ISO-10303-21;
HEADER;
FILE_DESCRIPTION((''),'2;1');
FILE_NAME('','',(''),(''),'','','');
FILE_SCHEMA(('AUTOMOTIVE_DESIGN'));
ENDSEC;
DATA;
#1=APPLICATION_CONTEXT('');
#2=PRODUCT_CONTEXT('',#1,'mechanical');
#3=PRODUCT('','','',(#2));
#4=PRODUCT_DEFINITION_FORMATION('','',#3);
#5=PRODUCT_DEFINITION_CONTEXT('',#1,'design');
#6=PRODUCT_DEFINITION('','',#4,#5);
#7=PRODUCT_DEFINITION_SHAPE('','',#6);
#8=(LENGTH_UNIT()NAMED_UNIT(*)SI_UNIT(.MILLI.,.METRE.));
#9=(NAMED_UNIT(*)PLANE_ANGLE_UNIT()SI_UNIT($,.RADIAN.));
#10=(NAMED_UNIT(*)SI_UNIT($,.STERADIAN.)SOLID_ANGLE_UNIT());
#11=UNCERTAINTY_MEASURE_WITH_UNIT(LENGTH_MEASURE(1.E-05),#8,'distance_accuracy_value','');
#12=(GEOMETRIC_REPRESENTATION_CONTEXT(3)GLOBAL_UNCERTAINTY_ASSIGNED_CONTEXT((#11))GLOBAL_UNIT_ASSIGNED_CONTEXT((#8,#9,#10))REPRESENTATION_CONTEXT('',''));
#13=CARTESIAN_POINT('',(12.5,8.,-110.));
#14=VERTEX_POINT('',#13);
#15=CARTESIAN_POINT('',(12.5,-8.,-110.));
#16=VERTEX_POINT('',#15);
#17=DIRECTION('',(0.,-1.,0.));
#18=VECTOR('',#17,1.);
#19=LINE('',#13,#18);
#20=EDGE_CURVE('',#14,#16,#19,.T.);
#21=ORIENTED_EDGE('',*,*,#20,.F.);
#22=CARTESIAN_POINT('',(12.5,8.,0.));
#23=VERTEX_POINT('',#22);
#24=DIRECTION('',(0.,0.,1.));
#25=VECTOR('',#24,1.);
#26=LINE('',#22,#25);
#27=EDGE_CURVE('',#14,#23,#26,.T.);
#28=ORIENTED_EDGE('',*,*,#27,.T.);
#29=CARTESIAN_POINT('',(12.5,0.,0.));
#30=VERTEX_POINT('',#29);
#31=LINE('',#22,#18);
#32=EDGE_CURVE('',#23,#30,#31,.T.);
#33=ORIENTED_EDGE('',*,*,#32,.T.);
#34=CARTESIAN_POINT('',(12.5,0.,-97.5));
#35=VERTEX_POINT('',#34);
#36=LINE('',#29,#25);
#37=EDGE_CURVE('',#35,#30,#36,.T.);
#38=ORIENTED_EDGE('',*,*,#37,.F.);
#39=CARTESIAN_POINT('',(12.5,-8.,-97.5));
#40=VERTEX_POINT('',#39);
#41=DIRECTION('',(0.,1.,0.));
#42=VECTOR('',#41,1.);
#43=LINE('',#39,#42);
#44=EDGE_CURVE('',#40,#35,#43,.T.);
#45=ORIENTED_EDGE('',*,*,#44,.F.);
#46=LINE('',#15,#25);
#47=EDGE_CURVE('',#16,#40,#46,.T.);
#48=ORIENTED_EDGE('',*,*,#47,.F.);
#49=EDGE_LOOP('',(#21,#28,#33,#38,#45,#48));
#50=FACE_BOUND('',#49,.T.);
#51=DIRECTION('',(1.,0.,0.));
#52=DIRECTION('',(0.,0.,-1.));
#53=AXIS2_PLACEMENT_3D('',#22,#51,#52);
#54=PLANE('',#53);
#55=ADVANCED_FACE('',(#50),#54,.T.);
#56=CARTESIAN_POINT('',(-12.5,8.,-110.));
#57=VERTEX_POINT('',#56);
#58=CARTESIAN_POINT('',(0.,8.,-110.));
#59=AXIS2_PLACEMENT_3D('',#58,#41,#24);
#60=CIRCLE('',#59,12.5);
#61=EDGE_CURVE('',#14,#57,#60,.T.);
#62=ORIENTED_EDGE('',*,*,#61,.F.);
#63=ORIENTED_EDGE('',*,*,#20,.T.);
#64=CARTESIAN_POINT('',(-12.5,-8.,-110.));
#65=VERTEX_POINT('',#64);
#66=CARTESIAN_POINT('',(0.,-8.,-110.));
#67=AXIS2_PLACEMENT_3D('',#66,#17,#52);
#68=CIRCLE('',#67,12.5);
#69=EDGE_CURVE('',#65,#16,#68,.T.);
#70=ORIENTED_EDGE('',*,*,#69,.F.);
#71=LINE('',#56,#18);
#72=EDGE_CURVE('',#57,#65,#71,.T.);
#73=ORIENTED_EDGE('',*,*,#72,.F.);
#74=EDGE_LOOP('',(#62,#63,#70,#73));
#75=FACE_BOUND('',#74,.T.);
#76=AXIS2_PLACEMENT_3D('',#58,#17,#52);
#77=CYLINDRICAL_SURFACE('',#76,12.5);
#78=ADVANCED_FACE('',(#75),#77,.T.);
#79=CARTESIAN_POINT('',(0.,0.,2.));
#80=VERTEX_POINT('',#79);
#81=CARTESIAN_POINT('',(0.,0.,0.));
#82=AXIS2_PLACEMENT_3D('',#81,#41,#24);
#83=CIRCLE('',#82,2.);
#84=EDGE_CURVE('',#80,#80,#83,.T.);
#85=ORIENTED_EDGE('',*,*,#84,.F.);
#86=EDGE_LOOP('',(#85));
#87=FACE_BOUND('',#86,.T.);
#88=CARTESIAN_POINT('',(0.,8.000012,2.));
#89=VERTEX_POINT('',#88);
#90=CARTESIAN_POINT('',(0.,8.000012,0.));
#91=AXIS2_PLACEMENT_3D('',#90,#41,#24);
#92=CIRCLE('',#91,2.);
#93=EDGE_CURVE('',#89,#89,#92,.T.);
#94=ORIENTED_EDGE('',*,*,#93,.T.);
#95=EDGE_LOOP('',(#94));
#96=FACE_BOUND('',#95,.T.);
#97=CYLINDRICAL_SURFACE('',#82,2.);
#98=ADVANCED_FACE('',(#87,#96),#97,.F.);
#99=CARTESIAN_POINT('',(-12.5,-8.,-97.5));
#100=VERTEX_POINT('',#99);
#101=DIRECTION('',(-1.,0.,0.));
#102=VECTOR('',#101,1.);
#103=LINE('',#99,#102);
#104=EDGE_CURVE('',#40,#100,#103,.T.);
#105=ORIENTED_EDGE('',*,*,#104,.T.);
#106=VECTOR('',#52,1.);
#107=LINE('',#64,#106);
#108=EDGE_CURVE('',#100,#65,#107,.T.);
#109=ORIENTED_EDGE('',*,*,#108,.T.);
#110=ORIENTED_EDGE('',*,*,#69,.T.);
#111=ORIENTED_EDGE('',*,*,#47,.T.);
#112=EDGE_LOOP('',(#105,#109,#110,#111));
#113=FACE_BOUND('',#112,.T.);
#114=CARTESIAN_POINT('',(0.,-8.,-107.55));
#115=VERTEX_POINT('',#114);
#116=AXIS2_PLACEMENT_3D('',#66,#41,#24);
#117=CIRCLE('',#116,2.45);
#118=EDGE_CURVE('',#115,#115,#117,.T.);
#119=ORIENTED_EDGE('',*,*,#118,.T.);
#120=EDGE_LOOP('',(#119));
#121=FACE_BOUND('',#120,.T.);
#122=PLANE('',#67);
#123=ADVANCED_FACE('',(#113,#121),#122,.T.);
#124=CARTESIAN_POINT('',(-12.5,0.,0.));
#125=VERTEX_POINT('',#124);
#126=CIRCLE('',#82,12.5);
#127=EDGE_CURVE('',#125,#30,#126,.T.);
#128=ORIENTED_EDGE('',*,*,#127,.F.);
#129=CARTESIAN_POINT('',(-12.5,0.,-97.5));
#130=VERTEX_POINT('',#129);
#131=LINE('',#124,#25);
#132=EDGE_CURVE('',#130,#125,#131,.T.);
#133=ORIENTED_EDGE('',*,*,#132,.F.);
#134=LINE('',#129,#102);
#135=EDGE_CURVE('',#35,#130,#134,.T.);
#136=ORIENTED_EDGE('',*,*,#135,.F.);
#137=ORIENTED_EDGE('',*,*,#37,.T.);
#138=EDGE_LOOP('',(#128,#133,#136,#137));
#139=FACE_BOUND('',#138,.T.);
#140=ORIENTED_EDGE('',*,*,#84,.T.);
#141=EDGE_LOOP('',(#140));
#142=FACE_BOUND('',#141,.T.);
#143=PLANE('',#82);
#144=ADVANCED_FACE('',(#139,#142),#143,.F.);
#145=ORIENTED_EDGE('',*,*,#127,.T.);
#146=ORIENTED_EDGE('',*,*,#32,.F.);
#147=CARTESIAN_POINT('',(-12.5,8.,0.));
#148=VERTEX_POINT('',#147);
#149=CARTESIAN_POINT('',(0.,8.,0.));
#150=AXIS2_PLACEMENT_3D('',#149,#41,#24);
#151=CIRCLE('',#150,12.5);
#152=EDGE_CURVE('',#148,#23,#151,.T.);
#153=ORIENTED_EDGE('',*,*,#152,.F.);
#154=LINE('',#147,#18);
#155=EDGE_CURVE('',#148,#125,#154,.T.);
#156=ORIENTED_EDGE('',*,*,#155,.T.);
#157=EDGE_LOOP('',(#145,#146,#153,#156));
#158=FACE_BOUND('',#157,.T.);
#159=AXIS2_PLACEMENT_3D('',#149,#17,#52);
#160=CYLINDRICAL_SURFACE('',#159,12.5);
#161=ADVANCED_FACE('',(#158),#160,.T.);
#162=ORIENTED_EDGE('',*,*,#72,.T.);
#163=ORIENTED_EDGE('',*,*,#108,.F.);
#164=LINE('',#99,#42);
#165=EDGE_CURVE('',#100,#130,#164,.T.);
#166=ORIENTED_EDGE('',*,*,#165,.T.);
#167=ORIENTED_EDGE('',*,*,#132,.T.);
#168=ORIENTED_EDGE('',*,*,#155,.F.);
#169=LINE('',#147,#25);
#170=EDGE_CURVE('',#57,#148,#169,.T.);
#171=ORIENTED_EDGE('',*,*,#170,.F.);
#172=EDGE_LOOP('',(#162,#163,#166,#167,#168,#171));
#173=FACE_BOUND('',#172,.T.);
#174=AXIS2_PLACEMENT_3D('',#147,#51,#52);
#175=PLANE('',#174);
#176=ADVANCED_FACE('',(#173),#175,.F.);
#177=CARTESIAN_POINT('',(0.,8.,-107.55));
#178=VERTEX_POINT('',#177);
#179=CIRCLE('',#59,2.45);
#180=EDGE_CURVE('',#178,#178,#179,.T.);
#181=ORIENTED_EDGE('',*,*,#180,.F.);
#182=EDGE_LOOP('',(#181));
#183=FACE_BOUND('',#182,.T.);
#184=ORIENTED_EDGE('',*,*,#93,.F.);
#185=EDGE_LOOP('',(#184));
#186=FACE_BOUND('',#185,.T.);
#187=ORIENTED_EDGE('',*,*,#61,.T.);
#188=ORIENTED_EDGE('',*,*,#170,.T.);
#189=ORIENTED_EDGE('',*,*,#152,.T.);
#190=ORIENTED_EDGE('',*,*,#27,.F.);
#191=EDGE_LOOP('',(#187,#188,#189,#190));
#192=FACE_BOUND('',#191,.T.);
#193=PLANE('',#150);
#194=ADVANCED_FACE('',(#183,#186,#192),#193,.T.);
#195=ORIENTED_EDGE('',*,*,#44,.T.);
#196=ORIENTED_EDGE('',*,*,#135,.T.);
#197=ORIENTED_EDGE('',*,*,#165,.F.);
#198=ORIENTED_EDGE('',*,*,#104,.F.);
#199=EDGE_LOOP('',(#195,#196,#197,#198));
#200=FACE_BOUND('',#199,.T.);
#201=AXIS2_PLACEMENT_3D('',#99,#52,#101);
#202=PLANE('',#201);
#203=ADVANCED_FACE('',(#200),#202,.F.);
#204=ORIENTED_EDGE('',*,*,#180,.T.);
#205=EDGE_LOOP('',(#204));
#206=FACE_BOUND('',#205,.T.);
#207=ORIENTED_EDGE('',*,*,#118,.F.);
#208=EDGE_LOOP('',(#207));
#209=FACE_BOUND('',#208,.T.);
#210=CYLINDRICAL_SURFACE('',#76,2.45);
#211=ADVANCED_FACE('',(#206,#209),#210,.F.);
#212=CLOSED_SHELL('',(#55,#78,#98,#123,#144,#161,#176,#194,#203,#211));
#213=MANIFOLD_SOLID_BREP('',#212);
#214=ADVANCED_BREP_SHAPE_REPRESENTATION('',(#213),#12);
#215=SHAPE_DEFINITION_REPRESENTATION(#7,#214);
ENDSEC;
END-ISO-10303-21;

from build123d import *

# Parameters (mm, degrees)
SKETCH1_R               = 12.5
SKETCH1_R_2             = 2.45
BOSS_EXTRUDE1_DEPTH     = 8
CUT_EXTRUDE1_DEPTH      = 124.39570495
CUT_EXTRUDE1_DEPTH_BACK = 124.39570495
SKETCH2_R               = 2
BOSS_EXTRUDE2_START     = 8
BOSS_EXTRUDE2_DEPTH     = 8
CUT_EXTRUDE2_DEPTH      = 125.171252712
CUT_EXTRUDE2_DEPTH_BACK = 125.171252712
SKETCH4_R               = 2.45


with BuildPart() as part:
    # Sketch1 → Boss-Extrude1 (new body)
    # profile 1 of 3: a face of its own
    with BuildSketch(Plane(origin=(0, 0, 0), x_dir=(1, 0, 0), z_dir=(0, 1, 0))):
        with BuildLine():
            Line((12.5, 0), (12.5, 110))
            ThreePointArc((12.5, 110), (0, 97.5), (-12.5, 110))
            Line((-12.5, 110), (-12.5, 0))
            ThreePointArc((-12.5, 0), (0, 12.5), (12.5, 0))
        make_face()
    # profile 2 of 3: a face of its own
    with BuildSketch(Plane(origin=(0, 0, 0), x_dir=(1, 0, 0), z_dir=(0, 1, 0))):
        with Locations((0, 110)):
            Circle(SKETCH1_R)
        with Locations(Location((0, 110, 0), (0, 0, 270))):
            Circle(SKETCH1_R_2, mode=Mode.SUBTRACT)
    # profile 3 of 3: a face of its own
    with BuildSketch(Plane(origin=(0, 0, 0), x_dir=(1, 0, 0), z_dir=(0, 1, 0))):
        Circle(SKETCH1_R)
    extrude(amount=BOSS_EXTRUDE1_DEPTH)

    # Sketch2 → Cut-Extrude1 (cut, two sides: drawn at the far end of the back side and taken through both)
    with BuildSketch(Plane(origin=(0, 8, 0), x_dir=(1, 0, 0), z_dir=(0, 1, 0)).offset(-CUT_EXTRUDE1_DEPTH_BACK)):
        with Locations(Location((0, 0, 0), (0, 0, 270))):
            Circle(SKETCH2_R)
    extrude(amount=CUT_EXTRUDE1_DEPTH + CUT_EXTRUDE1_DEPTH_BACK, mode=Mode.SUBTRACT)

    # Sketch3 → Boss-Extrude2 (add)
    with BuildSketch(Plane.XZ.offset(BOSS_EXTRUDE2_START)):
        with BuildLine():
            Line((12.5, -110), (12.5, -97.5))
            Line((12.5, -97.5), (-12.5, -97.5))
            Line((-12.5, -97.5), (-12.5, -110))
            ThreePointArc((-12.5, -110), (0, -122.5), (12.5, -110))
        make_face()
    extrude(amount=-BOSS_EXTRUDE2_DEPTH)

    # Sketch4 → Cut-Extrude2 (cut, two sides: drawn at the far end of the back side and taken through both)
    with BuildSketch(Plane(origin=(0, 8, 0), x_dir=(1, 0, 0), z_dir=(0, 1, 0)).offset(-CUT_EXTRUDE2_DEPTH_BACK)):
        with Locations(Location((0, 110, 0), (0, 0, 270))):
            Circle(SKETCH4_R)
    extrude(amount=CUT_EXTRUDE2_DEPTH + CUT_EXTRUDE2_DEPTH_BACK, mode=Mode.SUBTRACT)


solid = part.part
